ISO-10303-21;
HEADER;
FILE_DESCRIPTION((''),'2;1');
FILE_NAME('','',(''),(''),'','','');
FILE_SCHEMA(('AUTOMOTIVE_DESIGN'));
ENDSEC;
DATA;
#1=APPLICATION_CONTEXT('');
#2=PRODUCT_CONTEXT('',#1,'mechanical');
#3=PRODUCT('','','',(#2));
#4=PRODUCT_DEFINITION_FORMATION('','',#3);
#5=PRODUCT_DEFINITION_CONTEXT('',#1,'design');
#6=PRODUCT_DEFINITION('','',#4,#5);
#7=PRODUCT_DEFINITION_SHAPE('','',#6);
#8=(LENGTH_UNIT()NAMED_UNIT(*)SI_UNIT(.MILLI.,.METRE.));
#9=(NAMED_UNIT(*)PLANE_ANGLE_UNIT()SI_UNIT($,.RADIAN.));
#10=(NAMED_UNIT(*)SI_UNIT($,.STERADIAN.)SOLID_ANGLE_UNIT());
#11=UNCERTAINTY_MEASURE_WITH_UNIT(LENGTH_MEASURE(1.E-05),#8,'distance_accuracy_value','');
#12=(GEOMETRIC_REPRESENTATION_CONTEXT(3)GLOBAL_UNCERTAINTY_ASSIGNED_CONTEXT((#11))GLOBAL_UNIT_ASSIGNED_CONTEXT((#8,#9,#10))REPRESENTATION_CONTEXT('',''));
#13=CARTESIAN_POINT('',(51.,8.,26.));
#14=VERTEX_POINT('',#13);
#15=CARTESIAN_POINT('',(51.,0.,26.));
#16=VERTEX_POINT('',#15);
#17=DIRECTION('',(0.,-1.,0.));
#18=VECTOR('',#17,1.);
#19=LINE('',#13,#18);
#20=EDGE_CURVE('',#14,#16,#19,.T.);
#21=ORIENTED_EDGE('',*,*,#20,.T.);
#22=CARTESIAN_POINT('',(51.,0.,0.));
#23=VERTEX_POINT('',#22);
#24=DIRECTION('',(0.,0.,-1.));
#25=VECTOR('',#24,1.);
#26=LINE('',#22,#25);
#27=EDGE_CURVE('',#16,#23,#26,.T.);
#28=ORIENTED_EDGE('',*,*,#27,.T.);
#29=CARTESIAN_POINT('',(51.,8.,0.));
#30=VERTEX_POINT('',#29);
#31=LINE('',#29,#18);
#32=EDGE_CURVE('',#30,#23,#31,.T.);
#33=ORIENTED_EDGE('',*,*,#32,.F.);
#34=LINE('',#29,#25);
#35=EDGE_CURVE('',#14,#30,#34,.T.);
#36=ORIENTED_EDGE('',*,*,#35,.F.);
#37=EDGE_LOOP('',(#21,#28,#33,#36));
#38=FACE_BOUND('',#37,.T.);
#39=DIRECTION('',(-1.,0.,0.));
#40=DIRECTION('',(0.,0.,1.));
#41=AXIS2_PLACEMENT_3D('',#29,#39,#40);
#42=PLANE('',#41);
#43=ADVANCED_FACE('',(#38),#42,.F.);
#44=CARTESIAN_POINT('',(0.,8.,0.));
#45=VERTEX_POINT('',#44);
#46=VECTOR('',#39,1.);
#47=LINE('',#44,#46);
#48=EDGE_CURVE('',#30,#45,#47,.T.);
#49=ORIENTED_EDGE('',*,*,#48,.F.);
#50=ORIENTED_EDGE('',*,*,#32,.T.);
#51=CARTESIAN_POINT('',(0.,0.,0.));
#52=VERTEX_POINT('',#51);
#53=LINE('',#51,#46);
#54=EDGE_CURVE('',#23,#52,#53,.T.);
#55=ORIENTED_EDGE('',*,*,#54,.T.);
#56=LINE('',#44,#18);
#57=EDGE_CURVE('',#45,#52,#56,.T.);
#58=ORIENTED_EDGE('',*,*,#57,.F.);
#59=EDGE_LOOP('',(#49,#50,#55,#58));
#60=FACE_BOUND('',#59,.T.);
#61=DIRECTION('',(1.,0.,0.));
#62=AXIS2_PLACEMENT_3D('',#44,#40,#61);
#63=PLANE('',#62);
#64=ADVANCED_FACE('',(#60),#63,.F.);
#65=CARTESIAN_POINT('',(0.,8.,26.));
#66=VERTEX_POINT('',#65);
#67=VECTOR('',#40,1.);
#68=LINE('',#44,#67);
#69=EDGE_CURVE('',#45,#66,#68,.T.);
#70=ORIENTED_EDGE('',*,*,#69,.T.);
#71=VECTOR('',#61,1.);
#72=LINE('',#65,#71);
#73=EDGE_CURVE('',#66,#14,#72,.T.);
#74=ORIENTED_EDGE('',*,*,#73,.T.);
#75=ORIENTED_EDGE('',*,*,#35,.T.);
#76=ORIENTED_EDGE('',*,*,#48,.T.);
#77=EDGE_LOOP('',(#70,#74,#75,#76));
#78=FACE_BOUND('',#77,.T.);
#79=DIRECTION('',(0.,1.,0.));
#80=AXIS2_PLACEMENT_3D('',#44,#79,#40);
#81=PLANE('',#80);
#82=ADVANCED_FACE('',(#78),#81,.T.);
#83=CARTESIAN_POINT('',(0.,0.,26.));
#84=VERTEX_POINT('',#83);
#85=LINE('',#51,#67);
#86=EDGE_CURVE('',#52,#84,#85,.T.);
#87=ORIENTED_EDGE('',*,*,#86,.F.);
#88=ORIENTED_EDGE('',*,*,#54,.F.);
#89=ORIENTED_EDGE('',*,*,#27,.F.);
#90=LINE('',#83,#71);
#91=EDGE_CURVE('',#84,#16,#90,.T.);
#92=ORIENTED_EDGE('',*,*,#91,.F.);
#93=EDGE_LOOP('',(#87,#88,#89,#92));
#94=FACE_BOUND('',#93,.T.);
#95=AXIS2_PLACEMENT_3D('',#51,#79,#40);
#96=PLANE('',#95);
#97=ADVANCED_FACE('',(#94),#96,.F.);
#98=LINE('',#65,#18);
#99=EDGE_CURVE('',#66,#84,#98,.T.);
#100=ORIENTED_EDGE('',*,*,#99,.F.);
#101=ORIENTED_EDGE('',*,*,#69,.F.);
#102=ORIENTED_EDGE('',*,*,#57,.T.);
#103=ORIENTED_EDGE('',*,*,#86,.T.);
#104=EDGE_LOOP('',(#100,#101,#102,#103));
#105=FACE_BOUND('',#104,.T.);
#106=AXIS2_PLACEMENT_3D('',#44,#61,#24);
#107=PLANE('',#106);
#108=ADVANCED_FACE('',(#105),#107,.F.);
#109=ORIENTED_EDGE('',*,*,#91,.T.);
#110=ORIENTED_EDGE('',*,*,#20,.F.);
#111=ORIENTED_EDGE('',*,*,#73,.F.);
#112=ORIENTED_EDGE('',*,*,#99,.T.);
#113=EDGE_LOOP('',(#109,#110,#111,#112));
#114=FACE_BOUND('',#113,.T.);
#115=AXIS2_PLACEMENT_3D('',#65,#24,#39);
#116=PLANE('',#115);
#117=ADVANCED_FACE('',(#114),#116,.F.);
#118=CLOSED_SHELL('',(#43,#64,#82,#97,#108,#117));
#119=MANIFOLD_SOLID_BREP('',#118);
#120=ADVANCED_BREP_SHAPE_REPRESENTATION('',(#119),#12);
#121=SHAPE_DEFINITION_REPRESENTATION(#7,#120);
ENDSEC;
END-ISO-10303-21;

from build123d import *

# Parameters (mm, degrees)
SKETCH_1_W      = 51
SKETCH_1_H      = 26
EXTRUDE_1_DEPTH = 8


with BuildPart() as part:
    # 草图1 → 凸台-拉伸1 (new body)
    with BuildSketch(Plane(origin=(0, 0, 0), x_dir=(1, 0, 0), z_dir=(0, 1, 0))):
        with Locations((25.5, -13)):
            Rectangle(SKETCH_1_W, SKETCH_1_H)
    extrude(amount=EXTRUDE_1_DEPTH)


solid = part.part
